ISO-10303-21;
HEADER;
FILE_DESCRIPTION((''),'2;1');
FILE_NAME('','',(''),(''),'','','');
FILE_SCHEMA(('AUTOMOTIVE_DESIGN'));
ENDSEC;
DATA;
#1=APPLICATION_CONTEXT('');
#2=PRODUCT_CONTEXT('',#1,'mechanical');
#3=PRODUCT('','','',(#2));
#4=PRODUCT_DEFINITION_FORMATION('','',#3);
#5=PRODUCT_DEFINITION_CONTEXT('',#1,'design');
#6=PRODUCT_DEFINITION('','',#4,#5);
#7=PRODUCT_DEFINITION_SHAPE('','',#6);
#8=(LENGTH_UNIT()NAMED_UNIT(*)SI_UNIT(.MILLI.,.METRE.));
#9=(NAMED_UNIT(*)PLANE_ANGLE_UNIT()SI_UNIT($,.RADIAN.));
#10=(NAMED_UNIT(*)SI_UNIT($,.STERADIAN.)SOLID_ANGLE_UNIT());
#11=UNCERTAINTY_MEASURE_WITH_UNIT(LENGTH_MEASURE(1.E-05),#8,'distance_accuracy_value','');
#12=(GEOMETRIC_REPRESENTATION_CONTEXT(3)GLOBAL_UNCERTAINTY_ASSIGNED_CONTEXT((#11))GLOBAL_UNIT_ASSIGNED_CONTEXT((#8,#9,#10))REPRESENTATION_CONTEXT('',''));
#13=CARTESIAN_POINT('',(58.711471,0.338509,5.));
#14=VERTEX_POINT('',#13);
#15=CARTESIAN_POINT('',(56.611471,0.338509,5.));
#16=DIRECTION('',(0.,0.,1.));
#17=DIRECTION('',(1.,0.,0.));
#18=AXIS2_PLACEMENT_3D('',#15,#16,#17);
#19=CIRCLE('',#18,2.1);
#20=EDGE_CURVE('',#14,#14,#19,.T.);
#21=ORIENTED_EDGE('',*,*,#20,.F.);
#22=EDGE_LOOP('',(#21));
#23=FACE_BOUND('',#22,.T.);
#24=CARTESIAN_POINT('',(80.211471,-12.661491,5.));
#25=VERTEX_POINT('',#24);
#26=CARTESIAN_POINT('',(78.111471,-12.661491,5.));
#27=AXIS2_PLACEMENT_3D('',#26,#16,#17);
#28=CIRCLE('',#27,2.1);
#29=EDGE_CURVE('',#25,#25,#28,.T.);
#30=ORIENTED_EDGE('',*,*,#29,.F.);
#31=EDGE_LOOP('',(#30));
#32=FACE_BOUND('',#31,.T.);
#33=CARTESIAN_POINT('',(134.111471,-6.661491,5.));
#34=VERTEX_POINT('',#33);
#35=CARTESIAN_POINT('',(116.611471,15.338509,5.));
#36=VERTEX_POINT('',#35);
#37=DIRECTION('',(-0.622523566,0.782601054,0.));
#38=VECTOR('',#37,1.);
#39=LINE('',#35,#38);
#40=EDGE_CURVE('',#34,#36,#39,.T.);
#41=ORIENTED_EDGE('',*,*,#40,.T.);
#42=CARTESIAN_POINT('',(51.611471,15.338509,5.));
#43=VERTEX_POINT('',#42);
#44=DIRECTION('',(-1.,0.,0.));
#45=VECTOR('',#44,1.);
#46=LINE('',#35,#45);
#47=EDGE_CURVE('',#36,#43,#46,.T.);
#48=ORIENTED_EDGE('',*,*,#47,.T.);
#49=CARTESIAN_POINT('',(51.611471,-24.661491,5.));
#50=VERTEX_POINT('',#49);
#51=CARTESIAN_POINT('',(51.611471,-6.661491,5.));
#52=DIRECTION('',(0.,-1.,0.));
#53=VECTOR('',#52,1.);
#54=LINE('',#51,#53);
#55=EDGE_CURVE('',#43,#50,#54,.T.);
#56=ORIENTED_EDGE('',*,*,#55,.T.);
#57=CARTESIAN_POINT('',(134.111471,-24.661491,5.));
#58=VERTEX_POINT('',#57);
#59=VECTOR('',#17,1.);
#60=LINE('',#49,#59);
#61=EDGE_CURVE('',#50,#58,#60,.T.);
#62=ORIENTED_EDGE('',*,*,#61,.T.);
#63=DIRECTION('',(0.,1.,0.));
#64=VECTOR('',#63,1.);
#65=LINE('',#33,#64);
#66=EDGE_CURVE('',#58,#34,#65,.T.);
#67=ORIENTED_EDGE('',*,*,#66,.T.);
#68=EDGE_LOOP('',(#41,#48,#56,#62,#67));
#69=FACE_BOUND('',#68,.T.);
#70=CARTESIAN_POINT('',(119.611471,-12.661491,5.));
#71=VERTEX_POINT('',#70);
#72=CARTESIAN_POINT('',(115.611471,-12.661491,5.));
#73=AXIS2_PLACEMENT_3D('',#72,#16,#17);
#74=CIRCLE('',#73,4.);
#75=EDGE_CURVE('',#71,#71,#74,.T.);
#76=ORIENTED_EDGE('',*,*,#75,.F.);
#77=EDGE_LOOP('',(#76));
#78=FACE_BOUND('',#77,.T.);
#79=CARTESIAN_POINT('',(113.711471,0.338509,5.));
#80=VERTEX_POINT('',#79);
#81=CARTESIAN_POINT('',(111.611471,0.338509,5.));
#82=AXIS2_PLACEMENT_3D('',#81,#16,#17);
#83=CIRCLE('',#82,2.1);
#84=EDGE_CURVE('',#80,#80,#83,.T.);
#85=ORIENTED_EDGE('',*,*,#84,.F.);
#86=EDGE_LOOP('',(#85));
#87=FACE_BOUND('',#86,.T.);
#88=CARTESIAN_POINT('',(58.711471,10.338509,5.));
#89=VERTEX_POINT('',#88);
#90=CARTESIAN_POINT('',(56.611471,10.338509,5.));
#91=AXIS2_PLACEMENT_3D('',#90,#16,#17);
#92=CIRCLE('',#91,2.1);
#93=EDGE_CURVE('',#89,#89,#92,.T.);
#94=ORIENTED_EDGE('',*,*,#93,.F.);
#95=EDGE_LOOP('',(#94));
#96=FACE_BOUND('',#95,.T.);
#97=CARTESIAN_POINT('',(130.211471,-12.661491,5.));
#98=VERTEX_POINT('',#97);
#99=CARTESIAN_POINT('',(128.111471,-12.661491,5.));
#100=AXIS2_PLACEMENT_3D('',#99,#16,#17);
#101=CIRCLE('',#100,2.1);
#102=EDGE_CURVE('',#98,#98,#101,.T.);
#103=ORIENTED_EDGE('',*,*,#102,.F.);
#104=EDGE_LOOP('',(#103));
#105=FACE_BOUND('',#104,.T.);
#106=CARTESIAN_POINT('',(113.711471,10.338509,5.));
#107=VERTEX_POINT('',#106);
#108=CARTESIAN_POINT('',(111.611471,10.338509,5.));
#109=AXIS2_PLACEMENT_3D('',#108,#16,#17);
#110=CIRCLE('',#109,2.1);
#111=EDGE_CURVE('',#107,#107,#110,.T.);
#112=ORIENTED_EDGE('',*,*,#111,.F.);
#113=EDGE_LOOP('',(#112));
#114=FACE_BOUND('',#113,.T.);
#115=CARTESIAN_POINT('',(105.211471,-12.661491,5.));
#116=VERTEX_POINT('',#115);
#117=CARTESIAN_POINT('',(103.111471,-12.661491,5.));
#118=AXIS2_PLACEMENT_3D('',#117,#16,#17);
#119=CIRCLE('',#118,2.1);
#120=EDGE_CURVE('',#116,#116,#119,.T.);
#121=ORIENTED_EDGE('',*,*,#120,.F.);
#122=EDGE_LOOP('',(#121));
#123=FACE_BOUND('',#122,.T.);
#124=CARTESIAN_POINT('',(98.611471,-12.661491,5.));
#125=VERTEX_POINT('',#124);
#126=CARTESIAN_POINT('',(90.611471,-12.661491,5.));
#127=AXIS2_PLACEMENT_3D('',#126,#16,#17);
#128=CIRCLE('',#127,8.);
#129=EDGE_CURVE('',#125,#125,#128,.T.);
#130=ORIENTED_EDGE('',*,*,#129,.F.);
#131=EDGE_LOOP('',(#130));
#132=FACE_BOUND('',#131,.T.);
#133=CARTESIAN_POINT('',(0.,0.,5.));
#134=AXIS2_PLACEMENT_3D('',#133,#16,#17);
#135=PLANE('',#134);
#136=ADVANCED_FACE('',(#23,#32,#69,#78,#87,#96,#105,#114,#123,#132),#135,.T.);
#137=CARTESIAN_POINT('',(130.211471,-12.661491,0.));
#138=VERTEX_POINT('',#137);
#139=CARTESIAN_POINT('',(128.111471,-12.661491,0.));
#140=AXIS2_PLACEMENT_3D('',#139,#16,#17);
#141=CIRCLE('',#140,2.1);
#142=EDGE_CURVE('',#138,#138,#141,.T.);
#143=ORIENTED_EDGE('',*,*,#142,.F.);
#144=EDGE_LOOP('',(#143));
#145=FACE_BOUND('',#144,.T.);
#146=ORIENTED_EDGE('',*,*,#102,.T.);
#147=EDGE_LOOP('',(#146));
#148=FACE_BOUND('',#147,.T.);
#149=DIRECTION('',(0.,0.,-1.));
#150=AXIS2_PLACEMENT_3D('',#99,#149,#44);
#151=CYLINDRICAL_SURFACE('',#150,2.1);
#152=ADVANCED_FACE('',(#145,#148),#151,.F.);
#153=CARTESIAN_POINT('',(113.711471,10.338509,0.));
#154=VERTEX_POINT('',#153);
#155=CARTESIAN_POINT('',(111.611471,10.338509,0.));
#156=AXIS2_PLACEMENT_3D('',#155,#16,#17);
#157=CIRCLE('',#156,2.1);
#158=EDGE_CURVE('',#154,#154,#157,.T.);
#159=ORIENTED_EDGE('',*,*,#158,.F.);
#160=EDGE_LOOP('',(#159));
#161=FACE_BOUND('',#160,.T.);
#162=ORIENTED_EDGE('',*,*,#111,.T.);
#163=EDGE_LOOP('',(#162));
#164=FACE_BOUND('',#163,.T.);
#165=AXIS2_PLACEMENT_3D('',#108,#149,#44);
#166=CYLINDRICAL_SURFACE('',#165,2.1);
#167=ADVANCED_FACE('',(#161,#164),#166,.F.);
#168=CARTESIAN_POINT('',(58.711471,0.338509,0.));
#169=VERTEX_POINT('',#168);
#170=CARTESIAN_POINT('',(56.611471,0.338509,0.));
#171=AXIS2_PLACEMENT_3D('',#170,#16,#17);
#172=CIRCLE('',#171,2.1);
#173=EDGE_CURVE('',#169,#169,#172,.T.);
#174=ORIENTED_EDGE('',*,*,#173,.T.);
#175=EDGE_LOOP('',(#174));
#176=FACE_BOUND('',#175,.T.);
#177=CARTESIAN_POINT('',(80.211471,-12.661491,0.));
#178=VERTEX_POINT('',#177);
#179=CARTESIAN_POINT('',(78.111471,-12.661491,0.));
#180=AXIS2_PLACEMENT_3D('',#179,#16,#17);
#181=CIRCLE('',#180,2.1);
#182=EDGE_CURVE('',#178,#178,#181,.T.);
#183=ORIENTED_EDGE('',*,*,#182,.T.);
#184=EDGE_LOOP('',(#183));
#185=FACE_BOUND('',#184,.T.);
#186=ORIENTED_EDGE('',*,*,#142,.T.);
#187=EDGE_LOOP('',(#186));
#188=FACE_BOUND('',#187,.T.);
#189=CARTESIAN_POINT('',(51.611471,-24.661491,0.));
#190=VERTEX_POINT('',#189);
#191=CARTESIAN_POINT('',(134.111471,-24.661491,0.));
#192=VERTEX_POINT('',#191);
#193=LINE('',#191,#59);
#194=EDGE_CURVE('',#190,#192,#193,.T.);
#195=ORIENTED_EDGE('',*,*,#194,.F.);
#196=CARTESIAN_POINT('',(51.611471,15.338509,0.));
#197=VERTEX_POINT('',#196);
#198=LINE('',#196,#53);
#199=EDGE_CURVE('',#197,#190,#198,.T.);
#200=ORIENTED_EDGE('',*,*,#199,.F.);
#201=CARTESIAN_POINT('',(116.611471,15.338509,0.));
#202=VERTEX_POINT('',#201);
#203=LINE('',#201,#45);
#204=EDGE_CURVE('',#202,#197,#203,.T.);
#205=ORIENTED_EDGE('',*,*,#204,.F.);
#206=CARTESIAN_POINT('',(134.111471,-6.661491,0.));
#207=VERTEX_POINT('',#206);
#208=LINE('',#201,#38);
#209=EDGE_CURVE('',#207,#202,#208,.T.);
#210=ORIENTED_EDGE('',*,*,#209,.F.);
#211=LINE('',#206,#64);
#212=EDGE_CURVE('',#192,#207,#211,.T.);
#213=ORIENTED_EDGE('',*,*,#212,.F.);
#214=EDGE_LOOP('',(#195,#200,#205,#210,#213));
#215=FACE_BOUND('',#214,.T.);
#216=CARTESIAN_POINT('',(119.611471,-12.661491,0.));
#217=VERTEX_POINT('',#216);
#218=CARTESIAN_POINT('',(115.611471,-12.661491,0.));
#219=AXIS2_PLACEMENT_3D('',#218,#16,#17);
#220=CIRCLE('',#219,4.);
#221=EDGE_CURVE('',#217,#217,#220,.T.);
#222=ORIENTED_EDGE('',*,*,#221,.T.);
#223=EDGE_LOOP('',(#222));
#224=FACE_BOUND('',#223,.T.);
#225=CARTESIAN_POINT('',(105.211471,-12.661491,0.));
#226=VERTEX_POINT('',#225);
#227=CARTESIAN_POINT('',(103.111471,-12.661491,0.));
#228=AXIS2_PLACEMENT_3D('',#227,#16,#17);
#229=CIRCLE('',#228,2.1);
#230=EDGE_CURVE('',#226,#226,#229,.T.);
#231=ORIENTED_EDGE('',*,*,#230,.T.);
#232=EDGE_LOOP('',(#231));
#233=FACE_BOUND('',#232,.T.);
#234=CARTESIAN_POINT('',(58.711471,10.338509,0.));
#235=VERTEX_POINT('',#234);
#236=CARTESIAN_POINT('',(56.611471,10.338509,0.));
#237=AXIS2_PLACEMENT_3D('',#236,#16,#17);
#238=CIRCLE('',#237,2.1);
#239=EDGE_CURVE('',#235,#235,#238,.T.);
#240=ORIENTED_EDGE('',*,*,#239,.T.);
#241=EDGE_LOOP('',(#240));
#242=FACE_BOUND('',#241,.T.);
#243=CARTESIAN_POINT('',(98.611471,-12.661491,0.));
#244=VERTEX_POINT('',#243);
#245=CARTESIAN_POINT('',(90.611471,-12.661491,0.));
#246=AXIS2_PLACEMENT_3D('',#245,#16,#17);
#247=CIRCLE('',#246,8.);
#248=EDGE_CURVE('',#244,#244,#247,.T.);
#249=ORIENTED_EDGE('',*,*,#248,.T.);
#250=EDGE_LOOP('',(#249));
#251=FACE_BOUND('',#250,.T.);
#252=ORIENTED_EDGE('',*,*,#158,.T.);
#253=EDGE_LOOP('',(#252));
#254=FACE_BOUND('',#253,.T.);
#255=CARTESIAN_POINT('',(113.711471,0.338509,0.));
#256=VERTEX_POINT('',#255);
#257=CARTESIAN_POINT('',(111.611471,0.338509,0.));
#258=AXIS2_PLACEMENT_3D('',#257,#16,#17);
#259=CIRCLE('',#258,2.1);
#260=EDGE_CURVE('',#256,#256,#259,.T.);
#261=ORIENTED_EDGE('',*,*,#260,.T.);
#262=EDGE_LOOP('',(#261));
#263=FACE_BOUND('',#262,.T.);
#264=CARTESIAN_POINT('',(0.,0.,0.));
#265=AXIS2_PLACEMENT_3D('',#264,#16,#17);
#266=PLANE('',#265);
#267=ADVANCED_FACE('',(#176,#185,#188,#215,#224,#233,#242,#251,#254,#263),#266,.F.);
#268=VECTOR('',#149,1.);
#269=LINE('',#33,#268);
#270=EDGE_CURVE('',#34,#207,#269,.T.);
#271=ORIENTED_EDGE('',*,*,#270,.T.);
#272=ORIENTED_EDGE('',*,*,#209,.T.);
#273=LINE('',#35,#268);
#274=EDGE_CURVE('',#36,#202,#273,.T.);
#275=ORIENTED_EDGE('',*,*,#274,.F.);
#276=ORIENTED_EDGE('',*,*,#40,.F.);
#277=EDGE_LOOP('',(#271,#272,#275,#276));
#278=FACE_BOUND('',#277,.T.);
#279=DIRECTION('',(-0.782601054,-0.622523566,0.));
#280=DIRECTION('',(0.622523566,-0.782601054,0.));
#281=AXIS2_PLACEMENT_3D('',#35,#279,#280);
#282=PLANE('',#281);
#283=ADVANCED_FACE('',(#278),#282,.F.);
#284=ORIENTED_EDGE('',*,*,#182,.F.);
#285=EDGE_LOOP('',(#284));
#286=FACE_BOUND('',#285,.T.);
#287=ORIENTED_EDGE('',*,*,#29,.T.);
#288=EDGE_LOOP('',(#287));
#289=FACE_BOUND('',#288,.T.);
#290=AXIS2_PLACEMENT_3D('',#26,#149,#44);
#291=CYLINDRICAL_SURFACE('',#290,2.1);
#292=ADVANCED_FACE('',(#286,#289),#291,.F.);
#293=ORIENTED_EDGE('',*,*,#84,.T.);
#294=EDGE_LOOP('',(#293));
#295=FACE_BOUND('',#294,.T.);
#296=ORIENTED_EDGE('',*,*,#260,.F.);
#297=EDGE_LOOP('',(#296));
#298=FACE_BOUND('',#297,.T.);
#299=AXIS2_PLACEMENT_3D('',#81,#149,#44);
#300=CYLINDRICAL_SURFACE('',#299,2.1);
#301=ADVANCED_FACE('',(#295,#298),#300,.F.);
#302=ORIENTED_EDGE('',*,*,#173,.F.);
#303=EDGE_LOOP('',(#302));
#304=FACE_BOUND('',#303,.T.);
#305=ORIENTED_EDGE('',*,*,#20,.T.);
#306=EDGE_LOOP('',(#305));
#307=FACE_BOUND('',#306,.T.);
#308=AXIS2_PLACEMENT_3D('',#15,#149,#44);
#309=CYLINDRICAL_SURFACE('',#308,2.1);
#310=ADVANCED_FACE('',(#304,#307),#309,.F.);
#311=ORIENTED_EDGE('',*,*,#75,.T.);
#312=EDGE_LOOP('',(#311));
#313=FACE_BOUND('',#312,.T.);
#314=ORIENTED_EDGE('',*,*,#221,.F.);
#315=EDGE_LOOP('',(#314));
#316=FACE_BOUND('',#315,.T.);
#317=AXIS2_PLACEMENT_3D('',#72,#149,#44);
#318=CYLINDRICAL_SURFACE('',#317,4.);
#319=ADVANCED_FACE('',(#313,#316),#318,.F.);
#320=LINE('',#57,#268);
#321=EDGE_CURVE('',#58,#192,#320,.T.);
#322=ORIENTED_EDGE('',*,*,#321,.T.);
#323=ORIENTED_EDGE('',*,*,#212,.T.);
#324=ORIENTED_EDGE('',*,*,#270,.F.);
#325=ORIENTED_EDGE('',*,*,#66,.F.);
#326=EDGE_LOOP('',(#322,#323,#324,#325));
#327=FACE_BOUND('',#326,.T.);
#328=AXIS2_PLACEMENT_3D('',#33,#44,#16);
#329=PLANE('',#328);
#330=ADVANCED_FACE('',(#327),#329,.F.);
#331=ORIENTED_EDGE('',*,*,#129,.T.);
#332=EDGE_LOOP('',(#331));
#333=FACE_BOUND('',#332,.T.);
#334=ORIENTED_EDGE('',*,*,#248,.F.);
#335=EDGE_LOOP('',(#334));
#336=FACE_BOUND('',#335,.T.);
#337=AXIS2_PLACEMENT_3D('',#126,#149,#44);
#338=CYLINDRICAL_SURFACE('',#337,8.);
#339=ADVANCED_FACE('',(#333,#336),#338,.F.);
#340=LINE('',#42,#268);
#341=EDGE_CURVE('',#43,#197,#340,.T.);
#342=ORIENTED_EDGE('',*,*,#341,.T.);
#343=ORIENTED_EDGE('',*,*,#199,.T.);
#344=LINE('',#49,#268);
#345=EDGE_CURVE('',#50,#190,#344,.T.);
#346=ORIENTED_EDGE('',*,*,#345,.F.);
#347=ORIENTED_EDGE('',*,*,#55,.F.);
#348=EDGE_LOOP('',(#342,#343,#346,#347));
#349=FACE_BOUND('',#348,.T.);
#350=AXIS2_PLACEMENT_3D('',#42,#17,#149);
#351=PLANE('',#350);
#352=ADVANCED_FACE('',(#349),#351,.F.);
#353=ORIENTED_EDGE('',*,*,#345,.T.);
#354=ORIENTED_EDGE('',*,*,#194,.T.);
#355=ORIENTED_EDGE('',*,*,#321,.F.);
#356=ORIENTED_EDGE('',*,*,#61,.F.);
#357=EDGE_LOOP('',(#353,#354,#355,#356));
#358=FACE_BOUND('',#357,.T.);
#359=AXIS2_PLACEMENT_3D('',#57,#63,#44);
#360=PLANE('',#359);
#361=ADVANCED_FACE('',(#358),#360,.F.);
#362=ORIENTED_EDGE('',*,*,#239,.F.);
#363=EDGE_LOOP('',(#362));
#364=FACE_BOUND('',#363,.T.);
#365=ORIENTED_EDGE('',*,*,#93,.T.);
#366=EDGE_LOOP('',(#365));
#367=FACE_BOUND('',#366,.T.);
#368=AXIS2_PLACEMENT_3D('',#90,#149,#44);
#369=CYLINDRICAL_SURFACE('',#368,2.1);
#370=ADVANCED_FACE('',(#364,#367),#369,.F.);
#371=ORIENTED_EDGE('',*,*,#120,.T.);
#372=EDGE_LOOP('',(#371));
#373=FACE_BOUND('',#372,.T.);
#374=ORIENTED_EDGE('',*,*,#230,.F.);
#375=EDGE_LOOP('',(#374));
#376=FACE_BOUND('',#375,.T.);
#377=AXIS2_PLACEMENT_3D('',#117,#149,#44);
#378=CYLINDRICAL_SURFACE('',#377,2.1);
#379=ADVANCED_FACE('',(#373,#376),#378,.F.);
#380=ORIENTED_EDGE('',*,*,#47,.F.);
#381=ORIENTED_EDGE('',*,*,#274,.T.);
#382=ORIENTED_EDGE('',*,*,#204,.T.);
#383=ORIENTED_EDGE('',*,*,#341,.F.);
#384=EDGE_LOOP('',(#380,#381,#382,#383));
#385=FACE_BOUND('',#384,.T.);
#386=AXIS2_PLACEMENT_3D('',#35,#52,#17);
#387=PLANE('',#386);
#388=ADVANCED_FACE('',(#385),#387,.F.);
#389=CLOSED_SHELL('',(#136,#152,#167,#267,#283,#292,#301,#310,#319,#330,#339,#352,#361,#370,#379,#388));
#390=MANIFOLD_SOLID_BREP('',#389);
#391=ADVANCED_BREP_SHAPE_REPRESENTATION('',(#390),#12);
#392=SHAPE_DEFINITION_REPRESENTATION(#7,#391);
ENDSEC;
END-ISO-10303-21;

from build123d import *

# Parameters (mm, degrees)
SKETCH1_R           = 2.1
SKETCH1_R_2         = 4
SKETCH1_R_3         = 8
BOSS_EXTRUDE1_DEPTH = 5


with BuildPart() as part:
    # Sketch1 → Boss-Extrude1 (new body)
    with BuildSketch(Plane.XY):
        Polygon((116.611470678, 15.338509317), (51.611470678, 15.338509317), (51.611470678, -6.661490683), (51.611470678, -24.661490683), (116.611470678, -24.661490683), (134.111470678, -24.661490683), (134.111470678, -6.661490683), align=None)
        with Locations((56.611470678, 10.338509317)):
            Circle(SKETCH1_R, mode=Mode.SUBTRACT)
        with Locations((111.611470678, 10.338509317)):
            Circle(SKETCH1_R, mode=Mode.SUBTRACT)
        with Locations((56.611470678, 0.338509317)):
            Circle(SKETCH1_R, mode=Mode.SUBTRACT)
        with Locations((111.611470678, 0.338509317)):
            Circle(SKETCH1_R, mode=Mode.SUBTRACT)
        with Locations((115.611470678, -12.661490683)):
            Circle(SKETCH1_R_2, mode=Mode.SUBTRACT)
        with Locations((90.611470678, -12.661490683)):
            Circle(SKETCH1_R_3, mode=Mode.SUBTRACT)
        with Locations((78.111470678, -12.661490683)):
            Circle(SKETCH1_R, mode=Mode.SUBTRACT)
        with Locations((103.111470678, -12.661490683)):
            Circle(SKETCH1_R, mode=Mode.SUBTRACT)
        with Locations((128.111470678, -12.661490683)):
            Circle(SKETCH1_R, mode=Mode.SUBTRACT)
    extrude(amount=BOSS_EXTRUDE1_DEPTH)


solid = part.part
